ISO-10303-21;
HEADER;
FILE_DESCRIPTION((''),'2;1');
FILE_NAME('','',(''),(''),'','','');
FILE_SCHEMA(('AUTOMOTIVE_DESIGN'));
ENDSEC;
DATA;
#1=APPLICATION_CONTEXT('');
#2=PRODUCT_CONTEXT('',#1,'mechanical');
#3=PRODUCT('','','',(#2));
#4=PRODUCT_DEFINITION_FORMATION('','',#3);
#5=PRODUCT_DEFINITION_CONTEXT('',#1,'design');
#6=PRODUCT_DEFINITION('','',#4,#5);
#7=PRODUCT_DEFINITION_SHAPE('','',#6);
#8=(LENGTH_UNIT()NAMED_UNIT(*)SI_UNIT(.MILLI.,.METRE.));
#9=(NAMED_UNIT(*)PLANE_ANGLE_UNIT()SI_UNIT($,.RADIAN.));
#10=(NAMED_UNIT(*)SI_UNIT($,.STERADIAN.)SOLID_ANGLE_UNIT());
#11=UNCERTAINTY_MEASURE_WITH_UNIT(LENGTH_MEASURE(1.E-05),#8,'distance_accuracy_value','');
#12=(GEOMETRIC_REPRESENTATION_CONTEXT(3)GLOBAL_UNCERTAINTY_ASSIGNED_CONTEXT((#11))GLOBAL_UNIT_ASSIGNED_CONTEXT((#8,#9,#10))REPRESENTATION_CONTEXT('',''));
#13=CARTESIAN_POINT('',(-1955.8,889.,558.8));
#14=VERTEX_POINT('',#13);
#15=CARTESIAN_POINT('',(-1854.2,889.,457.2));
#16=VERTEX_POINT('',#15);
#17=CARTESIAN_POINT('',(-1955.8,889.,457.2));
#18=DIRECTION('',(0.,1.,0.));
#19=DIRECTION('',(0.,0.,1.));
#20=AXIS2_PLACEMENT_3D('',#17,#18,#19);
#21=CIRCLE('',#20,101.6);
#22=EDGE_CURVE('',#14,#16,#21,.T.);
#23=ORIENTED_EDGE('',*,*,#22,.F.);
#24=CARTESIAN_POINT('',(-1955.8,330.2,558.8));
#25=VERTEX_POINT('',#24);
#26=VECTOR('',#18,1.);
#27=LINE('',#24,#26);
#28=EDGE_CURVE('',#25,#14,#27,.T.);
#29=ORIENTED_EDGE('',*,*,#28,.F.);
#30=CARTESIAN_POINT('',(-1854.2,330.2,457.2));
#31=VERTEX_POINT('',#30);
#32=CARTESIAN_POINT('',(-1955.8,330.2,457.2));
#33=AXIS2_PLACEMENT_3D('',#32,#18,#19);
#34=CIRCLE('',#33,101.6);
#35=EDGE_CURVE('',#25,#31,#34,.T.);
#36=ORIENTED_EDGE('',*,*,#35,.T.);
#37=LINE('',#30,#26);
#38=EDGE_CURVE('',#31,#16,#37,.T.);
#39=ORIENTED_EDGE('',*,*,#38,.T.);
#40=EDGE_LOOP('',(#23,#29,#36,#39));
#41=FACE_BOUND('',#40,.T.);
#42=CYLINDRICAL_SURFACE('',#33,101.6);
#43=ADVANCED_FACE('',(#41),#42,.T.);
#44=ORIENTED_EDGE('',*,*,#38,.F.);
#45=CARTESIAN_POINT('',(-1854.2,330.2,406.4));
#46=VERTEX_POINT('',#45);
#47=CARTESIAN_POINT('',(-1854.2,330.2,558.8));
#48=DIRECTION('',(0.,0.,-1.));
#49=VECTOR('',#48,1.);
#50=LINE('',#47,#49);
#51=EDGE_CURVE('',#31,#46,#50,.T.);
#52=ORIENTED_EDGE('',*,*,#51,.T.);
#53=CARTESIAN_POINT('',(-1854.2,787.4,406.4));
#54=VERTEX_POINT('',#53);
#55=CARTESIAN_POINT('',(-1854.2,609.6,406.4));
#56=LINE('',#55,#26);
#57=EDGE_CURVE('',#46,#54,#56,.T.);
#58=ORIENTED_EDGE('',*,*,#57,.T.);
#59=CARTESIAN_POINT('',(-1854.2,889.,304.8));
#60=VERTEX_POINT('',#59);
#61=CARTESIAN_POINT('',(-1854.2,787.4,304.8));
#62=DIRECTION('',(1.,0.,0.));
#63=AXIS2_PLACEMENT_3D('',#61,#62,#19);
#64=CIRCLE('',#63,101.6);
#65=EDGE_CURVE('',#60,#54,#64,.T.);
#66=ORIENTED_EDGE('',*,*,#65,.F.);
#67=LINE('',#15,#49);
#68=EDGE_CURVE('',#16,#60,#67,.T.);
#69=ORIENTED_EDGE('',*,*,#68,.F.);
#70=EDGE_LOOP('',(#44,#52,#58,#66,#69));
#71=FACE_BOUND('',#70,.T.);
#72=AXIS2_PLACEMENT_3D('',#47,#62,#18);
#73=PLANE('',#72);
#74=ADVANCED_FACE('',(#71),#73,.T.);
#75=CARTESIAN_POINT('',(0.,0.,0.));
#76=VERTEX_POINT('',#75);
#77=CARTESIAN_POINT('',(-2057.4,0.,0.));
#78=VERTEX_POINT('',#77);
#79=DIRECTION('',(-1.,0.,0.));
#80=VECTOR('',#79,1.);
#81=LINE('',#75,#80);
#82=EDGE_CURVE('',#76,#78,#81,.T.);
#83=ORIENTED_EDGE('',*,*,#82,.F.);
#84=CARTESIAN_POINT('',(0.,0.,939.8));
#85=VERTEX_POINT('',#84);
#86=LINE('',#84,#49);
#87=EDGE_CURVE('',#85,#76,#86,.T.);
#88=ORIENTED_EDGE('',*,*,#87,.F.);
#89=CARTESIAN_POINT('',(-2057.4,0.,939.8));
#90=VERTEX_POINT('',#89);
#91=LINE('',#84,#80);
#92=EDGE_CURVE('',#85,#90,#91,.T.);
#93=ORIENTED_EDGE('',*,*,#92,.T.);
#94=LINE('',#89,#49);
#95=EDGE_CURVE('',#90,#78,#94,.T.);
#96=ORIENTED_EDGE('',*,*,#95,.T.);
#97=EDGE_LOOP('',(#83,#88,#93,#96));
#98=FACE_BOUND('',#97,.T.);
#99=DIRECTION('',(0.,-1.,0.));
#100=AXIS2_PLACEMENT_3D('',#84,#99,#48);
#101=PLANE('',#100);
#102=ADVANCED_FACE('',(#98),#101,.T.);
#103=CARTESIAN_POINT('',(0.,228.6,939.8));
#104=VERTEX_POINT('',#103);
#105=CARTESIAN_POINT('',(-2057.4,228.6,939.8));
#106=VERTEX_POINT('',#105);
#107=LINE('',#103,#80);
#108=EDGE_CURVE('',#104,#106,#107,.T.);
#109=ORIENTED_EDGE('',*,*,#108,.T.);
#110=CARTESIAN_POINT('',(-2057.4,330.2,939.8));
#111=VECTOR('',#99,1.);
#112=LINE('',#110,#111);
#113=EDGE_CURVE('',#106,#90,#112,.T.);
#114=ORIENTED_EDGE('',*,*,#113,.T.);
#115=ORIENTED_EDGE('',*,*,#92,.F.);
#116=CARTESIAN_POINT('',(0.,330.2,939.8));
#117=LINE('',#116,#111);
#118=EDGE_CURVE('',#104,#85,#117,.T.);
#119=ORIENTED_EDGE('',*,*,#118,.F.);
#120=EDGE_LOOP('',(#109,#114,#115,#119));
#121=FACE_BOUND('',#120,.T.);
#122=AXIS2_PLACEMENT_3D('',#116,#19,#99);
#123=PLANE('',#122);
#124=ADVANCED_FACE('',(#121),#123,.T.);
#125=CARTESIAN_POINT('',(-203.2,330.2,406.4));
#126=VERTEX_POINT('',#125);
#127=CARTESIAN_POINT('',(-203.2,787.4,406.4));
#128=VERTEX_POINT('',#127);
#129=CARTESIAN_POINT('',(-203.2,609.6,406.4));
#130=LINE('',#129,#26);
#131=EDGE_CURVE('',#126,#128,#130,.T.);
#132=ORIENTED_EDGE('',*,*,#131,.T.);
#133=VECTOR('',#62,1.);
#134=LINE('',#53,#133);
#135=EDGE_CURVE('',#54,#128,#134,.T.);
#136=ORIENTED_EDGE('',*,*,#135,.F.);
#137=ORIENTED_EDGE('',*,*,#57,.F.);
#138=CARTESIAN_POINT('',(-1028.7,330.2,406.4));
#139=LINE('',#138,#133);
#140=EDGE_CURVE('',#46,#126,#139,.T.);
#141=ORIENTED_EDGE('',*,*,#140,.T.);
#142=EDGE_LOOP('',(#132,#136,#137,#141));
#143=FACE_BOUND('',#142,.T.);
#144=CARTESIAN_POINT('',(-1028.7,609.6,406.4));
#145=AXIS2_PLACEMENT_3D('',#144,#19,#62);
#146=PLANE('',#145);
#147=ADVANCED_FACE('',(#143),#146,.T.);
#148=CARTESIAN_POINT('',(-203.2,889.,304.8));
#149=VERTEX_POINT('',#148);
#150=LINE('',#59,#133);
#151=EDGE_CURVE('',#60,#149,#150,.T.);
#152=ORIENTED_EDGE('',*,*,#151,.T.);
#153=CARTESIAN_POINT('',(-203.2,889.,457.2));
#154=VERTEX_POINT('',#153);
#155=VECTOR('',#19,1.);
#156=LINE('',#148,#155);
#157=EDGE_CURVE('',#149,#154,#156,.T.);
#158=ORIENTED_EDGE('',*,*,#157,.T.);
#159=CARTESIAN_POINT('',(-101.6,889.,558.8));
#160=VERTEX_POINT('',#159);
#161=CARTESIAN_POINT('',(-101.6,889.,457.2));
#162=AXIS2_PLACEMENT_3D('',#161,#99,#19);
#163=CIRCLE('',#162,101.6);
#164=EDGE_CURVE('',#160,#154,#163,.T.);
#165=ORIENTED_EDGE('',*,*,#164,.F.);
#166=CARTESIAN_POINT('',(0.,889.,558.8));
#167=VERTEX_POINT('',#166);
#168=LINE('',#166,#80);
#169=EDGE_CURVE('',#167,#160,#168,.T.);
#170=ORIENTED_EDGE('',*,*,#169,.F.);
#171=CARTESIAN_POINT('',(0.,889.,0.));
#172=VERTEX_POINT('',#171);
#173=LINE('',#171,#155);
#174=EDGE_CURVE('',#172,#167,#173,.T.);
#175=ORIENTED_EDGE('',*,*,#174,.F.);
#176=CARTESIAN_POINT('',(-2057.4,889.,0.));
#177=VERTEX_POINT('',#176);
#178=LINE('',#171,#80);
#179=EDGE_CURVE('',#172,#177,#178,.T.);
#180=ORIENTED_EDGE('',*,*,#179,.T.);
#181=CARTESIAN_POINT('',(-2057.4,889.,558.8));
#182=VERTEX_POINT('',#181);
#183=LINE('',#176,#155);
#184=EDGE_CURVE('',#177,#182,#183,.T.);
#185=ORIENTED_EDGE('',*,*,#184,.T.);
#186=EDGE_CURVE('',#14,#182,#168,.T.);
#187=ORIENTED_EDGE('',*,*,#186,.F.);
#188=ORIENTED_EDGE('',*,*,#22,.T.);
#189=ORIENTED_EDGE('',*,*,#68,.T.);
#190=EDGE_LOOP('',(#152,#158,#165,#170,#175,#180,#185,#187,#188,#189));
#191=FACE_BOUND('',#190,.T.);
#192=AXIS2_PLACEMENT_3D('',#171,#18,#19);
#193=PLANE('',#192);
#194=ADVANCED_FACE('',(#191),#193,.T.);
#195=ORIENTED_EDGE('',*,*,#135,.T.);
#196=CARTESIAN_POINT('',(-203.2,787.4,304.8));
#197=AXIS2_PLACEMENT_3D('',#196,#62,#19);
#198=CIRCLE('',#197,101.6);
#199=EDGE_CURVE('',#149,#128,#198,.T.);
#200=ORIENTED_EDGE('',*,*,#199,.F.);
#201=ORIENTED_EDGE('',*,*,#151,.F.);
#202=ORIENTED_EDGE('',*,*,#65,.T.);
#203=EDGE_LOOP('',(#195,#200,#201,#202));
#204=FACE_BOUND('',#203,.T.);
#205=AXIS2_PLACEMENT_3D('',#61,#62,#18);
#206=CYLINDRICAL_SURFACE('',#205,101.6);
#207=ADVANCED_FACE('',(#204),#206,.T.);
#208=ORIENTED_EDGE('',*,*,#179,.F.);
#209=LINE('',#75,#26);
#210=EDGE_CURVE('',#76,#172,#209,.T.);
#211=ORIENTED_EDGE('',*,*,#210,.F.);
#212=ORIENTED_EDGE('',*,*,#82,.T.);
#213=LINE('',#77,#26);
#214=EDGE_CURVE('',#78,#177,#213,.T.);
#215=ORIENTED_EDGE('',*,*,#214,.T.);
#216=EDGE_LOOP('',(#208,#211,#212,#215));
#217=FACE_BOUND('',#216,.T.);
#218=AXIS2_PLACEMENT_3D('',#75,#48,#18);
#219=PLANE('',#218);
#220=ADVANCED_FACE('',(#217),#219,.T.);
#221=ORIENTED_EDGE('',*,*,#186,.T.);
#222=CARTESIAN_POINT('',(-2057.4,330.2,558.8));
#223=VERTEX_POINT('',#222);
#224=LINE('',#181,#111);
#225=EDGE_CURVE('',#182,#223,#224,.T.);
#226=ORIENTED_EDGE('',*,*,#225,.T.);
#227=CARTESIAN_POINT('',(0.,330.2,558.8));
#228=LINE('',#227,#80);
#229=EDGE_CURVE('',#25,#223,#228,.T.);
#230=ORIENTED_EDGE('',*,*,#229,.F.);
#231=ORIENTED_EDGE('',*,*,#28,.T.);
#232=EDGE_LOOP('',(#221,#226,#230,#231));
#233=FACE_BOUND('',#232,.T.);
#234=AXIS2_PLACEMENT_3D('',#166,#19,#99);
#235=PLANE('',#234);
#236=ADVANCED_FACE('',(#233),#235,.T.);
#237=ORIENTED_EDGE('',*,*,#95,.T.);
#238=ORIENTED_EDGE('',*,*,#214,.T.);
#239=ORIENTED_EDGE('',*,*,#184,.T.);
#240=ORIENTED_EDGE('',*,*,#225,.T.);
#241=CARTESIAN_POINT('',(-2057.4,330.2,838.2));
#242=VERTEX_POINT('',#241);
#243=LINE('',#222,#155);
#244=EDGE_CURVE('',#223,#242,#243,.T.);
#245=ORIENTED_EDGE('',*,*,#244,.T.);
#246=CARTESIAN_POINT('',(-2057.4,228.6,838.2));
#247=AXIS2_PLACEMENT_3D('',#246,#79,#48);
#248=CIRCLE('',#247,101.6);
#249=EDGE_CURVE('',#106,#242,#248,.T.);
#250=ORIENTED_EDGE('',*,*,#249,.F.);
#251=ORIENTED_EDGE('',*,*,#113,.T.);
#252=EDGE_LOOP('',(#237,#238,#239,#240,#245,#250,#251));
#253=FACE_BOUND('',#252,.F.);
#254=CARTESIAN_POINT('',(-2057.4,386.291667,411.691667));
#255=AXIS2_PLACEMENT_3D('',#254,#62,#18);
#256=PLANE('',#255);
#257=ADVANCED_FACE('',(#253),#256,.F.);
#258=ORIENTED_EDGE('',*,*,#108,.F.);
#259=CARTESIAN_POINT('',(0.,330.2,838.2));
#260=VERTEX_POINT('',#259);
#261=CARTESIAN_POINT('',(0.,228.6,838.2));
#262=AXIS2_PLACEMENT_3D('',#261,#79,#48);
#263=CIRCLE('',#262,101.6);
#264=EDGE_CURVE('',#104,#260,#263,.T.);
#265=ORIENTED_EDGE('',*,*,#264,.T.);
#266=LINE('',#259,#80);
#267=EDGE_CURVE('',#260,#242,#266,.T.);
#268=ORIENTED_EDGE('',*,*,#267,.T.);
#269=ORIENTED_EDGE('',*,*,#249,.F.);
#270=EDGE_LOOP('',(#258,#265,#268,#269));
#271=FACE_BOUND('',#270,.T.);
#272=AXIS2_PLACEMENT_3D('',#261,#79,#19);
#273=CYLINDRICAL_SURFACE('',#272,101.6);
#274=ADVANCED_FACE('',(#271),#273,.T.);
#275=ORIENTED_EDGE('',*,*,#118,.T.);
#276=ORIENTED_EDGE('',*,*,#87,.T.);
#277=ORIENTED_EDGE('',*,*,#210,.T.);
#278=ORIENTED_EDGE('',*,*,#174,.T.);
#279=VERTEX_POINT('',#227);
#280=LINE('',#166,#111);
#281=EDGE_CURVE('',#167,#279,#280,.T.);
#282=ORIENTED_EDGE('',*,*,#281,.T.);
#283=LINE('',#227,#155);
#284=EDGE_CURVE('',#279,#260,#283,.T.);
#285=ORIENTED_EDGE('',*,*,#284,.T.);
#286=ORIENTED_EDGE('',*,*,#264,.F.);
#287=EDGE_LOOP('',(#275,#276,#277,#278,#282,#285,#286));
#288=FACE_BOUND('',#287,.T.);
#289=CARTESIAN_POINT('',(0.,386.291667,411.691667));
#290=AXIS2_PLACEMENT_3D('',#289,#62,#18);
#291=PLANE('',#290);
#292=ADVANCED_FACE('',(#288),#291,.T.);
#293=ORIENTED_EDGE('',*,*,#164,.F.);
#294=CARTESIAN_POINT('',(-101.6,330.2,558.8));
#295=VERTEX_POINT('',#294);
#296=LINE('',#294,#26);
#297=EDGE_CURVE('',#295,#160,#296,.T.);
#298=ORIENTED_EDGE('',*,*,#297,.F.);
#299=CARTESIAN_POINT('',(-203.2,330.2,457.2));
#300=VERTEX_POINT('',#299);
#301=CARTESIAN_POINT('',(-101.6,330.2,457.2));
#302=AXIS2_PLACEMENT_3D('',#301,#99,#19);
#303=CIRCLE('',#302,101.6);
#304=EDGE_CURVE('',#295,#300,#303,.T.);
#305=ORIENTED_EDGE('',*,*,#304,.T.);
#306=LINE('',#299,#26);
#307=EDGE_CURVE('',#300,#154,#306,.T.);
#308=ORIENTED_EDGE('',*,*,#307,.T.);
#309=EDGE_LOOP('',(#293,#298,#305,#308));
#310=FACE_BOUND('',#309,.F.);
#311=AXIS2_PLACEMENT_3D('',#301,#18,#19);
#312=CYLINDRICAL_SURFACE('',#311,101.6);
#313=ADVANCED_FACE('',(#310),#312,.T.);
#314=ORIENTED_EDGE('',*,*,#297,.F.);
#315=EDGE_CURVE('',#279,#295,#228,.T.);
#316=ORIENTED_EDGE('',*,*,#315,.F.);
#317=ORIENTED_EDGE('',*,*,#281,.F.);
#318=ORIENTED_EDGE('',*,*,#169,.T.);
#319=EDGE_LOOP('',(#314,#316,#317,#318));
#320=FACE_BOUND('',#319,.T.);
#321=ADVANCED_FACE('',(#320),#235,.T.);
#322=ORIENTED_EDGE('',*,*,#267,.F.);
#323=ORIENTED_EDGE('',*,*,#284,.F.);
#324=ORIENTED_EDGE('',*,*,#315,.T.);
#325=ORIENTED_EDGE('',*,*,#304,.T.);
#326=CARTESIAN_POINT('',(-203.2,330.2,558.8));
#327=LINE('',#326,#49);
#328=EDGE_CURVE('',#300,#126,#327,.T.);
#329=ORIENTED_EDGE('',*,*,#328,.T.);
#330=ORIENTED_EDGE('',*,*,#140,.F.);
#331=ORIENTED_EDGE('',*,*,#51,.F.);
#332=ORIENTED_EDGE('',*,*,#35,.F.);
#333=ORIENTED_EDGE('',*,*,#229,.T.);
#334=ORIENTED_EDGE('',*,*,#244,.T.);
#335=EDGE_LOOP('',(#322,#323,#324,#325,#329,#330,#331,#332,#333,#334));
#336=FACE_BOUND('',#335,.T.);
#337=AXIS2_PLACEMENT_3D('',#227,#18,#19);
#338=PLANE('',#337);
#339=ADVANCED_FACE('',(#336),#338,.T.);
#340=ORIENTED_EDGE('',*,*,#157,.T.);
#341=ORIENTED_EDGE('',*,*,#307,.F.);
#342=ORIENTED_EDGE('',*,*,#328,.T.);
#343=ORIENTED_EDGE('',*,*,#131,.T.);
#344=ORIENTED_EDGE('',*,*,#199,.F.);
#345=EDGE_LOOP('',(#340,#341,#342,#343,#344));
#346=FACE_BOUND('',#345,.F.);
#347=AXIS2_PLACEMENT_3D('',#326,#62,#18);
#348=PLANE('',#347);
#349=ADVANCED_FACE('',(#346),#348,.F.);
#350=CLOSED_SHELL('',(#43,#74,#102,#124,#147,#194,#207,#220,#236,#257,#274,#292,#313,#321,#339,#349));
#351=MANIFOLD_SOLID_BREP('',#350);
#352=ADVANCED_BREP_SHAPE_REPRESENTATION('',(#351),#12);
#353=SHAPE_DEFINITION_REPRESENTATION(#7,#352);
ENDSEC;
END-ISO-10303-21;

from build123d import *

# Parameters (mm, degrees)
F1_DEPTH = 2057.4
F2_W     = 1651
F2_H     = 558.8
F3_DEPTH = 152.4
F4_R     = 101.6


with BuildPart() as f1:
    # F0 (on Right) → F1 (new body)
    with BuildSketch(Plane.YZ):
        Polygon((0, 939.8), (0, 0), (889, 0), (889, 558.8), (330.2, 558.8), (330.2, 939.8), align=None)
    extrude(amount=-F1_DEPTH)

    # F2 (on face) → F3 (cut)
    with BuildSketch(Plane.XY.offset(558.8)):
        with Locations((-1028.7, 609.6)):
            Rectangle(F2_W, F2_H)
    extrude(amount=-F3_DEPTH, mode=Mode.SUBTRACT)

    # F4
    f4_edges = [f1.edges().sort_by_distance(p)[0] for p in [
        (-1028.7, 889, 406.4),
        (-1028.7, 330.2, 939.8),
        (-203.2, 609.6, 558.8),
        (-1854.2, 609.6, 558.8),
    ]]
    fillet(f4_edges, radius=F4_R)


solid = f1.part
